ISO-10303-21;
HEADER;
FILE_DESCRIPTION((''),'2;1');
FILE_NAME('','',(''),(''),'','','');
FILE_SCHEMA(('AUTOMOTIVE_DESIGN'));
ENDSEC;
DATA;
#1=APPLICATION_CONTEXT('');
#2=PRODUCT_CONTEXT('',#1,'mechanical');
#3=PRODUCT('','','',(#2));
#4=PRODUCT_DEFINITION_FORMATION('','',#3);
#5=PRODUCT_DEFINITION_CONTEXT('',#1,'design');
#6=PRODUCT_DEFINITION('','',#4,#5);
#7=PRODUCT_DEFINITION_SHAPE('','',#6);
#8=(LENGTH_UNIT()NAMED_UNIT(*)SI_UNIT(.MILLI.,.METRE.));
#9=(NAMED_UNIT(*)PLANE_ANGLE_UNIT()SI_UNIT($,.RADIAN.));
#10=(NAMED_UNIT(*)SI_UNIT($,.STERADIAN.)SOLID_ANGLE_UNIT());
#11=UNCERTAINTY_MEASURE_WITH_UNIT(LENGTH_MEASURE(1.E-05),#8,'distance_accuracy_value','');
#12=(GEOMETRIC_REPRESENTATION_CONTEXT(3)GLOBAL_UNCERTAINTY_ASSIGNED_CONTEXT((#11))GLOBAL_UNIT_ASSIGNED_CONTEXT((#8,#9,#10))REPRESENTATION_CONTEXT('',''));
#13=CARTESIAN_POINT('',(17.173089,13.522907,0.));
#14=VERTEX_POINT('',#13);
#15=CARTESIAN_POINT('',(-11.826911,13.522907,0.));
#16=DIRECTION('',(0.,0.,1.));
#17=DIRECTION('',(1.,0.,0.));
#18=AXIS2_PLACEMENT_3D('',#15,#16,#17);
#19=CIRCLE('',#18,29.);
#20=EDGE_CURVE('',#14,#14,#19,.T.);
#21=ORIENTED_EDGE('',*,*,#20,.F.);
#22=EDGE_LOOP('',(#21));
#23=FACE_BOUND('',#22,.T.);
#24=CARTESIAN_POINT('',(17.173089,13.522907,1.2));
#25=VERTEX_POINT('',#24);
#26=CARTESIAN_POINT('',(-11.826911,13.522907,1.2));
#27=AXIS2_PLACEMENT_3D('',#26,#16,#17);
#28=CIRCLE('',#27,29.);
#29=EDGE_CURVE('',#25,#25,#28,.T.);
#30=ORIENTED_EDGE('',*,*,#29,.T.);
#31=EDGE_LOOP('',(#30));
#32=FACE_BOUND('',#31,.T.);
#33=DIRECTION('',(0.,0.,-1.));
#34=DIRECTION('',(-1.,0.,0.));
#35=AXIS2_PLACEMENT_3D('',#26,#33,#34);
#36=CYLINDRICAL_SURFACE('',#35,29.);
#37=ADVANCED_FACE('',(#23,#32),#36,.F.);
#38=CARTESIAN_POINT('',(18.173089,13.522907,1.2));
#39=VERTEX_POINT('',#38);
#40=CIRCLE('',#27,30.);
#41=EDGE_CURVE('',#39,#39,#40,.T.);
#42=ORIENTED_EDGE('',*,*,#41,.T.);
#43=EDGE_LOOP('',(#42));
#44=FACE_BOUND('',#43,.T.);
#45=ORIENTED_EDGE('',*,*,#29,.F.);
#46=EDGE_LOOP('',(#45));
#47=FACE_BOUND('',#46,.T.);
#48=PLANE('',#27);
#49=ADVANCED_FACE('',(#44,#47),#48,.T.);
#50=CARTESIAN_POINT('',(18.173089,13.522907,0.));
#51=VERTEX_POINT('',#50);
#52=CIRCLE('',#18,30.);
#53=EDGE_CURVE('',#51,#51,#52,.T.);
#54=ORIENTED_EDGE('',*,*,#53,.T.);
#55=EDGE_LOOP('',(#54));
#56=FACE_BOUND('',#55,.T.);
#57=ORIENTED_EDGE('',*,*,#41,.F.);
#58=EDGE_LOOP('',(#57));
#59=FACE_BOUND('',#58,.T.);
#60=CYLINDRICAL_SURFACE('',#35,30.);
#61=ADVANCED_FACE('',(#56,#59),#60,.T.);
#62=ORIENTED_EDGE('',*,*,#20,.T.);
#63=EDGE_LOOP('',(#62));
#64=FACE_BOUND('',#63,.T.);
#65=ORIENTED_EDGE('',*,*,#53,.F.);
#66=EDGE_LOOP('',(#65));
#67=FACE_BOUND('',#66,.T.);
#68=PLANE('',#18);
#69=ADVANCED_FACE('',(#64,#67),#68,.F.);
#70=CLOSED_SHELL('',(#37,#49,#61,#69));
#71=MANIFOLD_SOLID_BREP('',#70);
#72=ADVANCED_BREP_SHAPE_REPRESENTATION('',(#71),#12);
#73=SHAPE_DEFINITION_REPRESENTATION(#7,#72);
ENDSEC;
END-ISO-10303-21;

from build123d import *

# Parameters (mm, degrees)
SKIZZE1_R                       = 30
SKIZZE1_R_2                     = 29
AUFSATZ_LINEAR_AUSTRAGEN1_DEPTH = 1.2


with BuildPart() as part:
    # Skizze1 → Aufsatz-Linear austragen1 (new body)
    with BuildSketch(Plane.XY):
        with Locations((-11.826910792, 13.522907101)):
            Circle(SKIZZE1_R)
        with Locations((-11.826910792, 13.522907101)):
            Circle(SKIZZE1_R_2, mode=Mode.SUBTRACT)
    extrude(amount=AUFSATZ_LINEAR_AUSTRAGEN1_DEPTH)


solid = part.part
